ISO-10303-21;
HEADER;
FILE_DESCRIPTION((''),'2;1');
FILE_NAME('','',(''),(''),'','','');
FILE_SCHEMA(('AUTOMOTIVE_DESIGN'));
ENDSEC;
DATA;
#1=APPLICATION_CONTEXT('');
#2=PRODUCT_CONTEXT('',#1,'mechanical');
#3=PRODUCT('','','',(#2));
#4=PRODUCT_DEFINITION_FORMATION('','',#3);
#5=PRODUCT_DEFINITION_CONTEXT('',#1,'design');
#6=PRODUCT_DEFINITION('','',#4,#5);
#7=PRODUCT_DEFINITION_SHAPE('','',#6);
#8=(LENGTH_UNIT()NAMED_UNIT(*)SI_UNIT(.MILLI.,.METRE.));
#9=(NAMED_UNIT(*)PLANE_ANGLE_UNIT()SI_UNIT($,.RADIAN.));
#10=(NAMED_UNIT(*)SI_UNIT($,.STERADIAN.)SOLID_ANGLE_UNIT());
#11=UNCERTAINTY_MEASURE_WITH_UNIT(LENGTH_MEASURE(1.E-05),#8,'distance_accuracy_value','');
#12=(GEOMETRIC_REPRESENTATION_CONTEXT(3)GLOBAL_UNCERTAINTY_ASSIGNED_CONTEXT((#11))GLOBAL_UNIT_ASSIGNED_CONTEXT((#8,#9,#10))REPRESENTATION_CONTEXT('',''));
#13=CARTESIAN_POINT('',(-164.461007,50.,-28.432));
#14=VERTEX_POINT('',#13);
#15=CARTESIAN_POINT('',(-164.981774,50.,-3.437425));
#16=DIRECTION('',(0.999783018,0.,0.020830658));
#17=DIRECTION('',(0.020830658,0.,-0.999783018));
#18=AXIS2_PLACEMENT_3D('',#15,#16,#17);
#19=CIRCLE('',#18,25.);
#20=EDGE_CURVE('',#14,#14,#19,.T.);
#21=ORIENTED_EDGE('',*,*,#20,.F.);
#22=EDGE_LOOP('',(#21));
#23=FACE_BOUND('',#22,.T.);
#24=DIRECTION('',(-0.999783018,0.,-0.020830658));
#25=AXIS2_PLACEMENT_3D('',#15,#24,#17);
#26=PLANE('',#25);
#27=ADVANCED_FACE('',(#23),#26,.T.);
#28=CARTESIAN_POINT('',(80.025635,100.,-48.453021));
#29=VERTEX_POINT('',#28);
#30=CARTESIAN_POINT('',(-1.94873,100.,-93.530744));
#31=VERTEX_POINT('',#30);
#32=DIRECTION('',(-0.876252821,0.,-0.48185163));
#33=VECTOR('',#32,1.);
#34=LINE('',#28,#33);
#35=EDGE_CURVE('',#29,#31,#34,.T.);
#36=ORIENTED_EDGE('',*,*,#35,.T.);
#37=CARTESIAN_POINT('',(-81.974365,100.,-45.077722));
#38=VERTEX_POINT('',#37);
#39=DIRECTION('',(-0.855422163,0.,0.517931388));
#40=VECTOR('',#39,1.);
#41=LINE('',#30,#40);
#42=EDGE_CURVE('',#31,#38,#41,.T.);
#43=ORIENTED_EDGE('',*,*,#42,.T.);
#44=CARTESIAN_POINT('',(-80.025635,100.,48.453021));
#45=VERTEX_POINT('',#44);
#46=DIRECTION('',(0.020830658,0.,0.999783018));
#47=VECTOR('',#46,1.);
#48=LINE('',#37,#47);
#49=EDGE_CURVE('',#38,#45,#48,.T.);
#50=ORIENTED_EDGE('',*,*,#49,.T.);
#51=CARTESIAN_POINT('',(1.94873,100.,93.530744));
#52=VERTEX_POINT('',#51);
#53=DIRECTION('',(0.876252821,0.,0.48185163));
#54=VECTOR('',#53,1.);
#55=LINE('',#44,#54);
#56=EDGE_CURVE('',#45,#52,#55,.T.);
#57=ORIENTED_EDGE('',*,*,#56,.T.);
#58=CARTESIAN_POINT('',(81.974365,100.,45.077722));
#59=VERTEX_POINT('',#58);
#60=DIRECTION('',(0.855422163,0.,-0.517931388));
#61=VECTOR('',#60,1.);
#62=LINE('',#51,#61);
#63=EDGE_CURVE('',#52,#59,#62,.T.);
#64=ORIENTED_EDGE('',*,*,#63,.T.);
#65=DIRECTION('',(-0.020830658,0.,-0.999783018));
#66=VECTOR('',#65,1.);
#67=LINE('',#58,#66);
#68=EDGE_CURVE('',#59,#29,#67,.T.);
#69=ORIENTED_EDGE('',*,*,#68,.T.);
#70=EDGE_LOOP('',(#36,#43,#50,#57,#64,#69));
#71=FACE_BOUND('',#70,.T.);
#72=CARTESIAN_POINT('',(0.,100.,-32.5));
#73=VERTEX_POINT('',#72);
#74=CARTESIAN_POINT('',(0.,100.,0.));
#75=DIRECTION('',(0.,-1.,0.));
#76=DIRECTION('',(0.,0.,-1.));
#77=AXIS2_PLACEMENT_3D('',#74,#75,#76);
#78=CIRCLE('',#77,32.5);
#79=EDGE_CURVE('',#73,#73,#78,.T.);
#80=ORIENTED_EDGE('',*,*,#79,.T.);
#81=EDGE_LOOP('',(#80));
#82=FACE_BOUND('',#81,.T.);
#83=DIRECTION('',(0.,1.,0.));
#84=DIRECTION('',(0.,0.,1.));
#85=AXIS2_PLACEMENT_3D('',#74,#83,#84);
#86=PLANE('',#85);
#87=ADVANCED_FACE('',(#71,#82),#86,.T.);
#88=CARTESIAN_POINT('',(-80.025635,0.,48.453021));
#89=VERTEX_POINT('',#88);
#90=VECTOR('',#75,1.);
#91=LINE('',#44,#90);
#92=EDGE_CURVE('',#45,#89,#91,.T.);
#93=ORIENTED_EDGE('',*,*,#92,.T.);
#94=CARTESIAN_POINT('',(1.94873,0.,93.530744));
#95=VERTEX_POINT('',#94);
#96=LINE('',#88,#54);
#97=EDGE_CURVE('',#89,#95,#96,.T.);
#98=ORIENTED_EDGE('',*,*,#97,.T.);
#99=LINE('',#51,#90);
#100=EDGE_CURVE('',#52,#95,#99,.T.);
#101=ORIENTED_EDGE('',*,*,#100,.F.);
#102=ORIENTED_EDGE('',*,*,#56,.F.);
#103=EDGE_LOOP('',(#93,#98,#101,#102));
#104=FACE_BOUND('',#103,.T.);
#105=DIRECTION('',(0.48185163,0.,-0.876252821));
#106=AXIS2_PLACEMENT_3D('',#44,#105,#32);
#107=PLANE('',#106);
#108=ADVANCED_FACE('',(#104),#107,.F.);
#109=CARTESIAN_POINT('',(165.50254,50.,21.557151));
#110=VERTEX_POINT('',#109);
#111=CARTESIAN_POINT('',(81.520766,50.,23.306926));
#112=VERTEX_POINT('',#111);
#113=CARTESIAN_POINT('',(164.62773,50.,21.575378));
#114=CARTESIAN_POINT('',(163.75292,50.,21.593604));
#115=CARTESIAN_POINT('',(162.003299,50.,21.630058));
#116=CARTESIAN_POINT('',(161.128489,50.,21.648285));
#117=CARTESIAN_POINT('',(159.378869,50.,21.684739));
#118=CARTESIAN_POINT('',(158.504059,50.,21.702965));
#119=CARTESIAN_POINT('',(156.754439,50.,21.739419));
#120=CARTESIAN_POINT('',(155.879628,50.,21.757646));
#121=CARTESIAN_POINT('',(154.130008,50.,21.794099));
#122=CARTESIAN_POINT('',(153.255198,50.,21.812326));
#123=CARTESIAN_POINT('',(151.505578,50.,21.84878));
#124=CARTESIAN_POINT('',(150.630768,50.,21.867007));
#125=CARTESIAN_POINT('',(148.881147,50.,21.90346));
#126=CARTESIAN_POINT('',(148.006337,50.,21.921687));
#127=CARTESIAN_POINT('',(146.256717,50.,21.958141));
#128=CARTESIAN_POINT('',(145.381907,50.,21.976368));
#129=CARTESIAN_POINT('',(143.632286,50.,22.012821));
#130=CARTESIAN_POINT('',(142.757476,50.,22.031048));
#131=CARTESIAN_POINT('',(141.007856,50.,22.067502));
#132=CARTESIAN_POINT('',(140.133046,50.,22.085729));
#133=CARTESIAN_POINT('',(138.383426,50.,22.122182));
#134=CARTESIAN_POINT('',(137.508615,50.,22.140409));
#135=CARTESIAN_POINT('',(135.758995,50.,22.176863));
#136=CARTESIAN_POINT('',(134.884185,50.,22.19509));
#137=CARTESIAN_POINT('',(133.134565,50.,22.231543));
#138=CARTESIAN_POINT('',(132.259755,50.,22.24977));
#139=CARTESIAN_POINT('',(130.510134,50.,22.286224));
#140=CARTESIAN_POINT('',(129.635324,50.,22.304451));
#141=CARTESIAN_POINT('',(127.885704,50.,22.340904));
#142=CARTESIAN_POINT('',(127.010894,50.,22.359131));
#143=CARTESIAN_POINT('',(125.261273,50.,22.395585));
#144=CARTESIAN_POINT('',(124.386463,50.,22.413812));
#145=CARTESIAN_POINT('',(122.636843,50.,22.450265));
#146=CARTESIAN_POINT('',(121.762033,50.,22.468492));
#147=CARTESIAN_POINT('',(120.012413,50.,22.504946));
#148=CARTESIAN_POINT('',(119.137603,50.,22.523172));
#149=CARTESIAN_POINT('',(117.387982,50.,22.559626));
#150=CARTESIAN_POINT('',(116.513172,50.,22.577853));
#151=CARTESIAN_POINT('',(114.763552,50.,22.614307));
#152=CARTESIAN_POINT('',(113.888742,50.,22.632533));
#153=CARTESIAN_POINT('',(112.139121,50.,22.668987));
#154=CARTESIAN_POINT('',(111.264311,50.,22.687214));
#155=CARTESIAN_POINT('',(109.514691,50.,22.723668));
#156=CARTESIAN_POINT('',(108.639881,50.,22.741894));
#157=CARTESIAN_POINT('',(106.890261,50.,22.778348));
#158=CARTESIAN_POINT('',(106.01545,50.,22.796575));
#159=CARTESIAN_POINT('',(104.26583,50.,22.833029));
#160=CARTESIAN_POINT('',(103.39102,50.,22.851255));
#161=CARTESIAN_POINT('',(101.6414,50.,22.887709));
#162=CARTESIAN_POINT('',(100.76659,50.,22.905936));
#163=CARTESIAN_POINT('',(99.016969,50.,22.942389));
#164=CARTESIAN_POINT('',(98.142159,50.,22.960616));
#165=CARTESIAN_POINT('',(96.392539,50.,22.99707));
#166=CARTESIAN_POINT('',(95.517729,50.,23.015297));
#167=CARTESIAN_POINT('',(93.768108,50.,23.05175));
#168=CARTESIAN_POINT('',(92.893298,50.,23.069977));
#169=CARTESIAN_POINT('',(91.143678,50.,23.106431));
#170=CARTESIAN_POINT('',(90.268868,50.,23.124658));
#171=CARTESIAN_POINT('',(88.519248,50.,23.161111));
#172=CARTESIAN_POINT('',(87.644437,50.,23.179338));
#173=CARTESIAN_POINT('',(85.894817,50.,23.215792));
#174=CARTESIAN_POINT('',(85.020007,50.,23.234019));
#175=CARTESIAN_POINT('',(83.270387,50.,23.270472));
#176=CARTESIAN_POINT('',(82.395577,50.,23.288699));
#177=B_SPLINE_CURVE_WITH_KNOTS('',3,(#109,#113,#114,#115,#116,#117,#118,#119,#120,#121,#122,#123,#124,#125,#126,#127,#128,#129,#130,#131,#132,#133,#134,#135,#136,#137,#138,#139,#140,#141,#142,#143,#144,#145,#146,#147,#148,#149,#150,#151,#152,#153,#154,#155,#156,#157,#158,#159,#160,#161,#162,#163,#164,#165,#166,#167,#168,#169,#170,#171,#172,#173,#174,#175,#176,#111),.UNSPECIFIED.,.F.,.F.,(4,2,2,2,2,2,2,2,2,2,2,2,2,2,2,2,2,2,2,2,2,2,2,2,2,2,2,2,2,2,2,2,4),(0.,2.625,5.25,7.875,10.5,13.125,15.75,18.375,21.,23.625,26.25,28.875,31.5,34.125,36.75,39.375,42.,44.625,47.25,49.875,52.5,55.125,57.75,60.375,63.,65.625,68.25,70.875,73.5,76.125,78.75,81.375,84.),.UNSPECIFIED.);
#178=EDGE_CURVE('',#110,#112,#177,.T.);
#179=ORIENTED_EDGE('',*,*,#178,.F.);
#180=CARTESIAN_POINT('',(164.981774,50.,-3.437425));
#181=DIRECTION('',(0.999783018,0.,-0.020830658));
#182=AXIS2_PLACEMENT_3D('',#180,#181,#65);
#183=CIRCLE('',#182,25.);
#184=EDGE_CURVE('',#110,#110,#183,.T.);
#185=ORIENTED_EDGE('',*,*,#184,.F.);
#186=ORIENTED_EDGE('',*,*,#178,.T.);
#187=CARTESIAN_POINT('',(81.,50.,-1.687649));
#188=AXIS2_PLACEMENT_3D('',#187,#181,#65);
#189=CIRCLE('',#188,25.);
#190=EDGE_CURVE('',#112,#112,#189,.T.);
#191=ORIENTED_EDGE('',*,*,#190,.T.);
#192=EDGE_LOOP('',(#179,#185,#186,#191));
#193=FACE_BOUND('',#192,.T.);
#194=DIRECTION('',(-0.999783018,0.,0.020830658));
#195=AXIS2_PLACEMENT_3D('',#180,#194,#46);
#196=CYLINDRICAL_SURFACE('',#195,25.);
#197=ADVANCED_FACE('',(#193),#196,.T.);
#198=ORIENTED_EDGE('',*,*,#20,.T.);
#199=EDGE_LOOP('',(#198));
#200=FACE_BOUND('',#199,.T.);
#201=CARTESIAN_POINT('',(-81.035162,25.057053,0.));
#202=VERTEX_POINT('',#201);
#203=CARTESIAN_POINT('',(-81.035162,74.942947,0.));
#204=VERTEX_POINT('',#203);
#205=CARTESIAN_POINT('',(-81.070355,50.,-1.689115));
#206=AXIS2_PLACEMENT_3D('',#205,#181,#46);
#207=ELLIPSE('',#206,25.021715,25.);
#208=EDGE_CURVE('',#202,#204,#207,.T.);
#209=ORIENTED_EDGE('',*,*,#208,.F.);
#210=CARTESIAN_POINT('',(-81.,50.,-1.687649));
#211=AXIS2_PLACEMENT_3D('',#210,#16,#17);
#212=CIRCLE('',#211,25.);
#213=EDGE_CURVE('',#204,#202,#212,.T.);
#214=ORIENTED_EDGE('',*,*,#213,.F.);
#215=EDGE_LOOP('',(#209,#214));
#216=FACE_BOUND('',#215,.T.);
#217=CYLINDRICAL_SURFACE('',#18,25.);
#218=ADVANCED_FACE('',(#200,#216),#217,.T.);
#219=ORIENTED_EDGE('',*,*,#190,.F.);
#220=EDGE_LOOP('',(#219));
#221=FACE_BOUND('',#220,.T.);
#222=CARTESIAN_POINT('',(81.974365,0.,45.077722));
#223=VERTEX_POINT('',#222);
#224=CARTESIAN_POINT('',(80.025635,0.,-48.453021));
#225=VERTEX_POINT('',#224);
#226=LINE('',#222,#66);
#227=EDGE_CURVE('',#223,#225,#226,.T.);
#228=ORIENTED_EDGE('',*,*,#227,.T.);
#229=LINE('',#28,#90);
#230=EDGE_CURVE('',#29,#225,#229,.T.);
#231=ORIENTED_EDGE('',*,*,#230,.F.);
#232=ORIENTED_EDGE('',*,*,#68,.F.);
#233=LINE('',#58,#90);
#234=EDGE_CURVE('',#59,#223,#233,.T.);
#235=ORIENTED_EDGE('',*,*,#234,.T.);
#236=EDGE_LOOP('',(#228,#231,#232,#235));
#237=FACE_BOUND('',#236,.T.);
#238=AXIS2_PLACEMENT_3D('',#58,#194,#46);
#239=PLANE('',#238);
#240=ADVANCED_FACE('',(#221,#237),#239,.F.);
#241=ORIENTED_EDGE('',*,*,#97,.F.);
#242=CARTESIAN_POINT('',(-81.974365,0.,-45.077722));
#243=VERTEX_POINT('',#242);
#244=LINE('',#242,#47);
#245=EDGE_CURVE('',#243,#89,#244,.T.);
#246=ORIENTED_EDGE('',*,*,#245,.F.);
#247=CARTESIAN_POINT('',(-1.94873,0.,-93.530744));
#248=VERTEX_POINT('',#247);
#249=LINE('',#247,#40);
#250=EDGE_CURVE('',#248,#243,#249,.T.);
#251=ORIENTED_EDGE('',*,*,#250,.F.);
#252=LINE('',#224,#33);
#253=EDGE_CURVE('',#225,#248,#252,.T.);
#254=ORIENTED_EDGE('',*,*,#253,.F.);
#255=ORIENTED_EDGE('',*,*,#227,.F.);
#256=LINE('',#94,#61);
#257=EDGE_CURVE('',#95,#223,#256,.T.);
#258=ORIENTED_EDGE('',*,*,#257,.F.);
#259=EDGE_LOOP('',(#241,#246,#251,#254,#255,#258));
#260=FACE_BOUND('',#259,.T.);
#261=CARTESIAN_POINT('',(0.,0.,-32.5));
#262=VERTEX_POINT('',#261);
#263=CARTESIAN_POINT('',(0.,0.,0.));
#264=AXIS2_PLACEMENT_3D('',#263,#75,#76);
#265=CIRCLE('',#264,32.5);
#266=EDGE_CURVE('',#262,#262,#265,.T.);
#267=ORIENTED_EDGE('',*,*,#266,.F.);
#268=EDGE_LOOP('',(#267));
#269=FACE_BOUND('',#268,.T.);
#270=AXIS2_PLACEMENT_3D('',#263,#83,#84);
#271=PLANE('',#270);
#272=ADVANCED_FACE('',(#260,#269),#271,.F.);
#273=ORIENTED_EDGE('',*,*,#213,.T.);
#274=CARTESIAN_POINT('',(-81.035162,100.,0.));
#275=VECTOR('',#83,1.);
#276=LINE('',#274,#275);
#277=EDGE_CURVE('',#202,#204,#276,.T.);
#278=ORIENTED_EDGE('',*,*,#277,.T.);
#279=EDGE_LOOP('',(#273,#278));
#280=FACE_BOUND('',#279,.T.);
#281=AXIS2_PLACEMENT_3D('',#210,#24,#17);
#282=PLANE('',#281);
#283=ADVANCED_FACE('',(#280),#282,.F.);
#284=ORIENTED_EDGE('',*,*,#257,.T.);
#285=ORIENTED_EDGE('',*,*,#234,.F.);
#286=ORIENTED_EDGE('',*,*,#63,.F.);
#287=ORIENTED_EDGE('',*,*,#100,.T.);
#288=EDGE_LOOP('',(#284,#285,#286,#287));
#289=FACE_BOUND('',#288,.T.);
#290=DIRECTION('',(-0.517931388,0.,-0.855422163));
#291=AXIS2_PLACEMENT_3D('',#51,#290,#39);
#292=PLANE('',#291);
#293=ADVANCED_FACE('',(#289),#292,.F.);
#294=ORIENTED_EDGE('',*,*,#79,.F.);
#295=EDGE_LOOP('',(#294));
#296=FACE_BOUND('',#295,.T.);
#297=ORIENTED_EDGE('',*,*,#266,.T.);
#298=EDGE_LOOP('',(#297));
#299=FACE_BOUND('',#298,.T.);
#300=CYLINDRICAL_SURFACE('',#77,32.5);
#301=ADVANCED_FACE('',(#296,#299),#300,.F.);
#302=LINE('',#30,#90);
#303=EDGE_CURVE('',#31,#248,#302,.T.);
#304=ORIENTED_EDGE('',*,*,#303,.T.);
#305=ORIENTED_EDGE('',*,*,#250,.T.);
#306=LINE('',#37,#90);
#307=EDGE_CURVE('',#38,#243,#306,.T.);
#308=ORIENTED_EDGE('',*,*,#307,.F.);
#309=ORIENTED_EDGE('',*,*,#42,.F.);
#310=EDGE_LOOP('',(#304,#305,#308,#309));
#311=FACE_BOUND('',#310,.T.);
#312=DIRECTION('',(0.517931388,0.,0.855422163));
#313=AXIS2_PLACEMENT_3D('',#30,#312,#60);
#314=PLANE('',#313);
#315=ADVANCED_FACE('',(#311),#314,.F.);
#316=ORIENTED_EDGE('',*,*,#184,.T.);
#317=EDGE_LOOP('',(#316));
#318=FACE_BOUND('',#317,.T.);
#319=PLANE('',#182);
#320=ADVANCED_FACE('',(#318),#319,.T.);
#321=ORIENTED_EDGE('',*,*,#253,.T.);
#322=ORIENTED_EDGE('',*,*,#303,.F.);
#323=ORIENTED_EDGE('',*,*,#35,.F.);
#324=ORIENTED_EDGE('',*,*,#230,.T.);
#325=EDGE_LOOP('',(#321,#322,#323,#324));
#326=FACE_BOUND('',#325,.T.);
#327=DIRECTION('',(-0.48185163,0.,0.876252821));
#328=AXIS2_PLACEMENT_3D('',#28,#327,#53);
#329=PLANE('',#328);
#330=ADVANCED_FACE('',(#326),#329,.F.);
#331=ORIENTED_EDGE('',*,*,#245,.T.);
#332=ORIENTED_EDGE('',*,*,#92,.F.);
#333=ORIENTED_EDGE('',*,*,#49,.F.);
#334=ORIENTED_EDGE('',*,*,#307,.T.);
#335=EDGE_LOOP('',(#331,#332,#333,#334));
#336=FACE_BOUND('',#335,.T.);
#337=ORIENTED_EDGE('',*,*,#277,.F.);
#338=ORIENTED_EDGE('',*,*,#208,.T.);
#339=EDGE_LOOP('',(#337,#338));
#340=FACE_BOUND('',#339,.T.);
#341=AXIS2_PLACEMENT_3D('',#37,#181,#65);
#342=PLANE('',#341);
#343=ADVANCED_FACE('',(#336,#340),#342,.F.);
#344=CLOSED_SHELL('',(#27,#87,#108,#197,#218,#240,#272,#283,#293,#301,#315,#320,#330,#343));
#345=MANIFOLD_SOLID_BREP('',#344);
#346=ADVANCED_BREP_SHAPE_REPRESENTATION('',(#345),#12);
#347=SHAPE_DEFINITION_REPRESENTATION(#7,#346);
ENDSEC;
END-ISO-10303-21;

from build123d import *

# Parameters (mm, degrees)
BOSS_EXTRUDE1_DEPTH = 100
SKETCH6_R           = 32.5
CUT_EXTRUDE1_DEPTH  = 160.58632929
SKETCH7_R           = 25
BOSS_EXTRUDE2_DEPTH = 84


with BuildPart() as part:
    # Sketch5 → Boss-Extrude1 (new body)
    with BuildSketch(Plane(origin=(0, 0, 0), x_dir=(1, 0, 0), z_dir=(0, 1, 0))):
        Polygon((-80.025635128, -48.453021269), (1.948729745, -93.530743609), (81.974364872, -45.07772234), (80.025635128, 48.453021269), (-1.948729745, 93.530743609), (-81.974364872, 45.07772234), align=None)
    extrude(amount=BOSS_EXTRUDE1_DEPTH)

    # Sketch6 → Cut-Extrude1 (cut, through all)
    with BuildSketch(Plane(origin=(0, 0, 0), x_dir=(-1, 0, 0), z_dir=(0, -1, 0))):
        with Locations(Location((0, 0, 0), (0, 0, 90))):
            Circle(SKETCH6_R)
    extrude(amount=-CUT_EXTRUDE1_DEPTH, mode=Mode.SUBTRACT)

    # Sketch7 → Boss-Extrude2 (add)
    with BuildSketch(Plane(origin=(81, 0, -1.687649464), x_dir=(-0.020830657718770396, 0, -0.9997830183089746), z_dir=(0.9997830183089746, 0, -0.020830657718770396))):
        with Locations((0, 50)):
            Circle(SKETCH7_R)
    boss_extrude2 = extrude(amount=BOSS_EXTRUDE2_DEPTH)

    # Mirror1: Boss-Extrude2 across plane
    add(boss_extrude2.mirror(Plane(origin=(0, 0, 0), x_dir=(0, 0, 1), z_dir=(1, 0, 0))))


solid = part.part
